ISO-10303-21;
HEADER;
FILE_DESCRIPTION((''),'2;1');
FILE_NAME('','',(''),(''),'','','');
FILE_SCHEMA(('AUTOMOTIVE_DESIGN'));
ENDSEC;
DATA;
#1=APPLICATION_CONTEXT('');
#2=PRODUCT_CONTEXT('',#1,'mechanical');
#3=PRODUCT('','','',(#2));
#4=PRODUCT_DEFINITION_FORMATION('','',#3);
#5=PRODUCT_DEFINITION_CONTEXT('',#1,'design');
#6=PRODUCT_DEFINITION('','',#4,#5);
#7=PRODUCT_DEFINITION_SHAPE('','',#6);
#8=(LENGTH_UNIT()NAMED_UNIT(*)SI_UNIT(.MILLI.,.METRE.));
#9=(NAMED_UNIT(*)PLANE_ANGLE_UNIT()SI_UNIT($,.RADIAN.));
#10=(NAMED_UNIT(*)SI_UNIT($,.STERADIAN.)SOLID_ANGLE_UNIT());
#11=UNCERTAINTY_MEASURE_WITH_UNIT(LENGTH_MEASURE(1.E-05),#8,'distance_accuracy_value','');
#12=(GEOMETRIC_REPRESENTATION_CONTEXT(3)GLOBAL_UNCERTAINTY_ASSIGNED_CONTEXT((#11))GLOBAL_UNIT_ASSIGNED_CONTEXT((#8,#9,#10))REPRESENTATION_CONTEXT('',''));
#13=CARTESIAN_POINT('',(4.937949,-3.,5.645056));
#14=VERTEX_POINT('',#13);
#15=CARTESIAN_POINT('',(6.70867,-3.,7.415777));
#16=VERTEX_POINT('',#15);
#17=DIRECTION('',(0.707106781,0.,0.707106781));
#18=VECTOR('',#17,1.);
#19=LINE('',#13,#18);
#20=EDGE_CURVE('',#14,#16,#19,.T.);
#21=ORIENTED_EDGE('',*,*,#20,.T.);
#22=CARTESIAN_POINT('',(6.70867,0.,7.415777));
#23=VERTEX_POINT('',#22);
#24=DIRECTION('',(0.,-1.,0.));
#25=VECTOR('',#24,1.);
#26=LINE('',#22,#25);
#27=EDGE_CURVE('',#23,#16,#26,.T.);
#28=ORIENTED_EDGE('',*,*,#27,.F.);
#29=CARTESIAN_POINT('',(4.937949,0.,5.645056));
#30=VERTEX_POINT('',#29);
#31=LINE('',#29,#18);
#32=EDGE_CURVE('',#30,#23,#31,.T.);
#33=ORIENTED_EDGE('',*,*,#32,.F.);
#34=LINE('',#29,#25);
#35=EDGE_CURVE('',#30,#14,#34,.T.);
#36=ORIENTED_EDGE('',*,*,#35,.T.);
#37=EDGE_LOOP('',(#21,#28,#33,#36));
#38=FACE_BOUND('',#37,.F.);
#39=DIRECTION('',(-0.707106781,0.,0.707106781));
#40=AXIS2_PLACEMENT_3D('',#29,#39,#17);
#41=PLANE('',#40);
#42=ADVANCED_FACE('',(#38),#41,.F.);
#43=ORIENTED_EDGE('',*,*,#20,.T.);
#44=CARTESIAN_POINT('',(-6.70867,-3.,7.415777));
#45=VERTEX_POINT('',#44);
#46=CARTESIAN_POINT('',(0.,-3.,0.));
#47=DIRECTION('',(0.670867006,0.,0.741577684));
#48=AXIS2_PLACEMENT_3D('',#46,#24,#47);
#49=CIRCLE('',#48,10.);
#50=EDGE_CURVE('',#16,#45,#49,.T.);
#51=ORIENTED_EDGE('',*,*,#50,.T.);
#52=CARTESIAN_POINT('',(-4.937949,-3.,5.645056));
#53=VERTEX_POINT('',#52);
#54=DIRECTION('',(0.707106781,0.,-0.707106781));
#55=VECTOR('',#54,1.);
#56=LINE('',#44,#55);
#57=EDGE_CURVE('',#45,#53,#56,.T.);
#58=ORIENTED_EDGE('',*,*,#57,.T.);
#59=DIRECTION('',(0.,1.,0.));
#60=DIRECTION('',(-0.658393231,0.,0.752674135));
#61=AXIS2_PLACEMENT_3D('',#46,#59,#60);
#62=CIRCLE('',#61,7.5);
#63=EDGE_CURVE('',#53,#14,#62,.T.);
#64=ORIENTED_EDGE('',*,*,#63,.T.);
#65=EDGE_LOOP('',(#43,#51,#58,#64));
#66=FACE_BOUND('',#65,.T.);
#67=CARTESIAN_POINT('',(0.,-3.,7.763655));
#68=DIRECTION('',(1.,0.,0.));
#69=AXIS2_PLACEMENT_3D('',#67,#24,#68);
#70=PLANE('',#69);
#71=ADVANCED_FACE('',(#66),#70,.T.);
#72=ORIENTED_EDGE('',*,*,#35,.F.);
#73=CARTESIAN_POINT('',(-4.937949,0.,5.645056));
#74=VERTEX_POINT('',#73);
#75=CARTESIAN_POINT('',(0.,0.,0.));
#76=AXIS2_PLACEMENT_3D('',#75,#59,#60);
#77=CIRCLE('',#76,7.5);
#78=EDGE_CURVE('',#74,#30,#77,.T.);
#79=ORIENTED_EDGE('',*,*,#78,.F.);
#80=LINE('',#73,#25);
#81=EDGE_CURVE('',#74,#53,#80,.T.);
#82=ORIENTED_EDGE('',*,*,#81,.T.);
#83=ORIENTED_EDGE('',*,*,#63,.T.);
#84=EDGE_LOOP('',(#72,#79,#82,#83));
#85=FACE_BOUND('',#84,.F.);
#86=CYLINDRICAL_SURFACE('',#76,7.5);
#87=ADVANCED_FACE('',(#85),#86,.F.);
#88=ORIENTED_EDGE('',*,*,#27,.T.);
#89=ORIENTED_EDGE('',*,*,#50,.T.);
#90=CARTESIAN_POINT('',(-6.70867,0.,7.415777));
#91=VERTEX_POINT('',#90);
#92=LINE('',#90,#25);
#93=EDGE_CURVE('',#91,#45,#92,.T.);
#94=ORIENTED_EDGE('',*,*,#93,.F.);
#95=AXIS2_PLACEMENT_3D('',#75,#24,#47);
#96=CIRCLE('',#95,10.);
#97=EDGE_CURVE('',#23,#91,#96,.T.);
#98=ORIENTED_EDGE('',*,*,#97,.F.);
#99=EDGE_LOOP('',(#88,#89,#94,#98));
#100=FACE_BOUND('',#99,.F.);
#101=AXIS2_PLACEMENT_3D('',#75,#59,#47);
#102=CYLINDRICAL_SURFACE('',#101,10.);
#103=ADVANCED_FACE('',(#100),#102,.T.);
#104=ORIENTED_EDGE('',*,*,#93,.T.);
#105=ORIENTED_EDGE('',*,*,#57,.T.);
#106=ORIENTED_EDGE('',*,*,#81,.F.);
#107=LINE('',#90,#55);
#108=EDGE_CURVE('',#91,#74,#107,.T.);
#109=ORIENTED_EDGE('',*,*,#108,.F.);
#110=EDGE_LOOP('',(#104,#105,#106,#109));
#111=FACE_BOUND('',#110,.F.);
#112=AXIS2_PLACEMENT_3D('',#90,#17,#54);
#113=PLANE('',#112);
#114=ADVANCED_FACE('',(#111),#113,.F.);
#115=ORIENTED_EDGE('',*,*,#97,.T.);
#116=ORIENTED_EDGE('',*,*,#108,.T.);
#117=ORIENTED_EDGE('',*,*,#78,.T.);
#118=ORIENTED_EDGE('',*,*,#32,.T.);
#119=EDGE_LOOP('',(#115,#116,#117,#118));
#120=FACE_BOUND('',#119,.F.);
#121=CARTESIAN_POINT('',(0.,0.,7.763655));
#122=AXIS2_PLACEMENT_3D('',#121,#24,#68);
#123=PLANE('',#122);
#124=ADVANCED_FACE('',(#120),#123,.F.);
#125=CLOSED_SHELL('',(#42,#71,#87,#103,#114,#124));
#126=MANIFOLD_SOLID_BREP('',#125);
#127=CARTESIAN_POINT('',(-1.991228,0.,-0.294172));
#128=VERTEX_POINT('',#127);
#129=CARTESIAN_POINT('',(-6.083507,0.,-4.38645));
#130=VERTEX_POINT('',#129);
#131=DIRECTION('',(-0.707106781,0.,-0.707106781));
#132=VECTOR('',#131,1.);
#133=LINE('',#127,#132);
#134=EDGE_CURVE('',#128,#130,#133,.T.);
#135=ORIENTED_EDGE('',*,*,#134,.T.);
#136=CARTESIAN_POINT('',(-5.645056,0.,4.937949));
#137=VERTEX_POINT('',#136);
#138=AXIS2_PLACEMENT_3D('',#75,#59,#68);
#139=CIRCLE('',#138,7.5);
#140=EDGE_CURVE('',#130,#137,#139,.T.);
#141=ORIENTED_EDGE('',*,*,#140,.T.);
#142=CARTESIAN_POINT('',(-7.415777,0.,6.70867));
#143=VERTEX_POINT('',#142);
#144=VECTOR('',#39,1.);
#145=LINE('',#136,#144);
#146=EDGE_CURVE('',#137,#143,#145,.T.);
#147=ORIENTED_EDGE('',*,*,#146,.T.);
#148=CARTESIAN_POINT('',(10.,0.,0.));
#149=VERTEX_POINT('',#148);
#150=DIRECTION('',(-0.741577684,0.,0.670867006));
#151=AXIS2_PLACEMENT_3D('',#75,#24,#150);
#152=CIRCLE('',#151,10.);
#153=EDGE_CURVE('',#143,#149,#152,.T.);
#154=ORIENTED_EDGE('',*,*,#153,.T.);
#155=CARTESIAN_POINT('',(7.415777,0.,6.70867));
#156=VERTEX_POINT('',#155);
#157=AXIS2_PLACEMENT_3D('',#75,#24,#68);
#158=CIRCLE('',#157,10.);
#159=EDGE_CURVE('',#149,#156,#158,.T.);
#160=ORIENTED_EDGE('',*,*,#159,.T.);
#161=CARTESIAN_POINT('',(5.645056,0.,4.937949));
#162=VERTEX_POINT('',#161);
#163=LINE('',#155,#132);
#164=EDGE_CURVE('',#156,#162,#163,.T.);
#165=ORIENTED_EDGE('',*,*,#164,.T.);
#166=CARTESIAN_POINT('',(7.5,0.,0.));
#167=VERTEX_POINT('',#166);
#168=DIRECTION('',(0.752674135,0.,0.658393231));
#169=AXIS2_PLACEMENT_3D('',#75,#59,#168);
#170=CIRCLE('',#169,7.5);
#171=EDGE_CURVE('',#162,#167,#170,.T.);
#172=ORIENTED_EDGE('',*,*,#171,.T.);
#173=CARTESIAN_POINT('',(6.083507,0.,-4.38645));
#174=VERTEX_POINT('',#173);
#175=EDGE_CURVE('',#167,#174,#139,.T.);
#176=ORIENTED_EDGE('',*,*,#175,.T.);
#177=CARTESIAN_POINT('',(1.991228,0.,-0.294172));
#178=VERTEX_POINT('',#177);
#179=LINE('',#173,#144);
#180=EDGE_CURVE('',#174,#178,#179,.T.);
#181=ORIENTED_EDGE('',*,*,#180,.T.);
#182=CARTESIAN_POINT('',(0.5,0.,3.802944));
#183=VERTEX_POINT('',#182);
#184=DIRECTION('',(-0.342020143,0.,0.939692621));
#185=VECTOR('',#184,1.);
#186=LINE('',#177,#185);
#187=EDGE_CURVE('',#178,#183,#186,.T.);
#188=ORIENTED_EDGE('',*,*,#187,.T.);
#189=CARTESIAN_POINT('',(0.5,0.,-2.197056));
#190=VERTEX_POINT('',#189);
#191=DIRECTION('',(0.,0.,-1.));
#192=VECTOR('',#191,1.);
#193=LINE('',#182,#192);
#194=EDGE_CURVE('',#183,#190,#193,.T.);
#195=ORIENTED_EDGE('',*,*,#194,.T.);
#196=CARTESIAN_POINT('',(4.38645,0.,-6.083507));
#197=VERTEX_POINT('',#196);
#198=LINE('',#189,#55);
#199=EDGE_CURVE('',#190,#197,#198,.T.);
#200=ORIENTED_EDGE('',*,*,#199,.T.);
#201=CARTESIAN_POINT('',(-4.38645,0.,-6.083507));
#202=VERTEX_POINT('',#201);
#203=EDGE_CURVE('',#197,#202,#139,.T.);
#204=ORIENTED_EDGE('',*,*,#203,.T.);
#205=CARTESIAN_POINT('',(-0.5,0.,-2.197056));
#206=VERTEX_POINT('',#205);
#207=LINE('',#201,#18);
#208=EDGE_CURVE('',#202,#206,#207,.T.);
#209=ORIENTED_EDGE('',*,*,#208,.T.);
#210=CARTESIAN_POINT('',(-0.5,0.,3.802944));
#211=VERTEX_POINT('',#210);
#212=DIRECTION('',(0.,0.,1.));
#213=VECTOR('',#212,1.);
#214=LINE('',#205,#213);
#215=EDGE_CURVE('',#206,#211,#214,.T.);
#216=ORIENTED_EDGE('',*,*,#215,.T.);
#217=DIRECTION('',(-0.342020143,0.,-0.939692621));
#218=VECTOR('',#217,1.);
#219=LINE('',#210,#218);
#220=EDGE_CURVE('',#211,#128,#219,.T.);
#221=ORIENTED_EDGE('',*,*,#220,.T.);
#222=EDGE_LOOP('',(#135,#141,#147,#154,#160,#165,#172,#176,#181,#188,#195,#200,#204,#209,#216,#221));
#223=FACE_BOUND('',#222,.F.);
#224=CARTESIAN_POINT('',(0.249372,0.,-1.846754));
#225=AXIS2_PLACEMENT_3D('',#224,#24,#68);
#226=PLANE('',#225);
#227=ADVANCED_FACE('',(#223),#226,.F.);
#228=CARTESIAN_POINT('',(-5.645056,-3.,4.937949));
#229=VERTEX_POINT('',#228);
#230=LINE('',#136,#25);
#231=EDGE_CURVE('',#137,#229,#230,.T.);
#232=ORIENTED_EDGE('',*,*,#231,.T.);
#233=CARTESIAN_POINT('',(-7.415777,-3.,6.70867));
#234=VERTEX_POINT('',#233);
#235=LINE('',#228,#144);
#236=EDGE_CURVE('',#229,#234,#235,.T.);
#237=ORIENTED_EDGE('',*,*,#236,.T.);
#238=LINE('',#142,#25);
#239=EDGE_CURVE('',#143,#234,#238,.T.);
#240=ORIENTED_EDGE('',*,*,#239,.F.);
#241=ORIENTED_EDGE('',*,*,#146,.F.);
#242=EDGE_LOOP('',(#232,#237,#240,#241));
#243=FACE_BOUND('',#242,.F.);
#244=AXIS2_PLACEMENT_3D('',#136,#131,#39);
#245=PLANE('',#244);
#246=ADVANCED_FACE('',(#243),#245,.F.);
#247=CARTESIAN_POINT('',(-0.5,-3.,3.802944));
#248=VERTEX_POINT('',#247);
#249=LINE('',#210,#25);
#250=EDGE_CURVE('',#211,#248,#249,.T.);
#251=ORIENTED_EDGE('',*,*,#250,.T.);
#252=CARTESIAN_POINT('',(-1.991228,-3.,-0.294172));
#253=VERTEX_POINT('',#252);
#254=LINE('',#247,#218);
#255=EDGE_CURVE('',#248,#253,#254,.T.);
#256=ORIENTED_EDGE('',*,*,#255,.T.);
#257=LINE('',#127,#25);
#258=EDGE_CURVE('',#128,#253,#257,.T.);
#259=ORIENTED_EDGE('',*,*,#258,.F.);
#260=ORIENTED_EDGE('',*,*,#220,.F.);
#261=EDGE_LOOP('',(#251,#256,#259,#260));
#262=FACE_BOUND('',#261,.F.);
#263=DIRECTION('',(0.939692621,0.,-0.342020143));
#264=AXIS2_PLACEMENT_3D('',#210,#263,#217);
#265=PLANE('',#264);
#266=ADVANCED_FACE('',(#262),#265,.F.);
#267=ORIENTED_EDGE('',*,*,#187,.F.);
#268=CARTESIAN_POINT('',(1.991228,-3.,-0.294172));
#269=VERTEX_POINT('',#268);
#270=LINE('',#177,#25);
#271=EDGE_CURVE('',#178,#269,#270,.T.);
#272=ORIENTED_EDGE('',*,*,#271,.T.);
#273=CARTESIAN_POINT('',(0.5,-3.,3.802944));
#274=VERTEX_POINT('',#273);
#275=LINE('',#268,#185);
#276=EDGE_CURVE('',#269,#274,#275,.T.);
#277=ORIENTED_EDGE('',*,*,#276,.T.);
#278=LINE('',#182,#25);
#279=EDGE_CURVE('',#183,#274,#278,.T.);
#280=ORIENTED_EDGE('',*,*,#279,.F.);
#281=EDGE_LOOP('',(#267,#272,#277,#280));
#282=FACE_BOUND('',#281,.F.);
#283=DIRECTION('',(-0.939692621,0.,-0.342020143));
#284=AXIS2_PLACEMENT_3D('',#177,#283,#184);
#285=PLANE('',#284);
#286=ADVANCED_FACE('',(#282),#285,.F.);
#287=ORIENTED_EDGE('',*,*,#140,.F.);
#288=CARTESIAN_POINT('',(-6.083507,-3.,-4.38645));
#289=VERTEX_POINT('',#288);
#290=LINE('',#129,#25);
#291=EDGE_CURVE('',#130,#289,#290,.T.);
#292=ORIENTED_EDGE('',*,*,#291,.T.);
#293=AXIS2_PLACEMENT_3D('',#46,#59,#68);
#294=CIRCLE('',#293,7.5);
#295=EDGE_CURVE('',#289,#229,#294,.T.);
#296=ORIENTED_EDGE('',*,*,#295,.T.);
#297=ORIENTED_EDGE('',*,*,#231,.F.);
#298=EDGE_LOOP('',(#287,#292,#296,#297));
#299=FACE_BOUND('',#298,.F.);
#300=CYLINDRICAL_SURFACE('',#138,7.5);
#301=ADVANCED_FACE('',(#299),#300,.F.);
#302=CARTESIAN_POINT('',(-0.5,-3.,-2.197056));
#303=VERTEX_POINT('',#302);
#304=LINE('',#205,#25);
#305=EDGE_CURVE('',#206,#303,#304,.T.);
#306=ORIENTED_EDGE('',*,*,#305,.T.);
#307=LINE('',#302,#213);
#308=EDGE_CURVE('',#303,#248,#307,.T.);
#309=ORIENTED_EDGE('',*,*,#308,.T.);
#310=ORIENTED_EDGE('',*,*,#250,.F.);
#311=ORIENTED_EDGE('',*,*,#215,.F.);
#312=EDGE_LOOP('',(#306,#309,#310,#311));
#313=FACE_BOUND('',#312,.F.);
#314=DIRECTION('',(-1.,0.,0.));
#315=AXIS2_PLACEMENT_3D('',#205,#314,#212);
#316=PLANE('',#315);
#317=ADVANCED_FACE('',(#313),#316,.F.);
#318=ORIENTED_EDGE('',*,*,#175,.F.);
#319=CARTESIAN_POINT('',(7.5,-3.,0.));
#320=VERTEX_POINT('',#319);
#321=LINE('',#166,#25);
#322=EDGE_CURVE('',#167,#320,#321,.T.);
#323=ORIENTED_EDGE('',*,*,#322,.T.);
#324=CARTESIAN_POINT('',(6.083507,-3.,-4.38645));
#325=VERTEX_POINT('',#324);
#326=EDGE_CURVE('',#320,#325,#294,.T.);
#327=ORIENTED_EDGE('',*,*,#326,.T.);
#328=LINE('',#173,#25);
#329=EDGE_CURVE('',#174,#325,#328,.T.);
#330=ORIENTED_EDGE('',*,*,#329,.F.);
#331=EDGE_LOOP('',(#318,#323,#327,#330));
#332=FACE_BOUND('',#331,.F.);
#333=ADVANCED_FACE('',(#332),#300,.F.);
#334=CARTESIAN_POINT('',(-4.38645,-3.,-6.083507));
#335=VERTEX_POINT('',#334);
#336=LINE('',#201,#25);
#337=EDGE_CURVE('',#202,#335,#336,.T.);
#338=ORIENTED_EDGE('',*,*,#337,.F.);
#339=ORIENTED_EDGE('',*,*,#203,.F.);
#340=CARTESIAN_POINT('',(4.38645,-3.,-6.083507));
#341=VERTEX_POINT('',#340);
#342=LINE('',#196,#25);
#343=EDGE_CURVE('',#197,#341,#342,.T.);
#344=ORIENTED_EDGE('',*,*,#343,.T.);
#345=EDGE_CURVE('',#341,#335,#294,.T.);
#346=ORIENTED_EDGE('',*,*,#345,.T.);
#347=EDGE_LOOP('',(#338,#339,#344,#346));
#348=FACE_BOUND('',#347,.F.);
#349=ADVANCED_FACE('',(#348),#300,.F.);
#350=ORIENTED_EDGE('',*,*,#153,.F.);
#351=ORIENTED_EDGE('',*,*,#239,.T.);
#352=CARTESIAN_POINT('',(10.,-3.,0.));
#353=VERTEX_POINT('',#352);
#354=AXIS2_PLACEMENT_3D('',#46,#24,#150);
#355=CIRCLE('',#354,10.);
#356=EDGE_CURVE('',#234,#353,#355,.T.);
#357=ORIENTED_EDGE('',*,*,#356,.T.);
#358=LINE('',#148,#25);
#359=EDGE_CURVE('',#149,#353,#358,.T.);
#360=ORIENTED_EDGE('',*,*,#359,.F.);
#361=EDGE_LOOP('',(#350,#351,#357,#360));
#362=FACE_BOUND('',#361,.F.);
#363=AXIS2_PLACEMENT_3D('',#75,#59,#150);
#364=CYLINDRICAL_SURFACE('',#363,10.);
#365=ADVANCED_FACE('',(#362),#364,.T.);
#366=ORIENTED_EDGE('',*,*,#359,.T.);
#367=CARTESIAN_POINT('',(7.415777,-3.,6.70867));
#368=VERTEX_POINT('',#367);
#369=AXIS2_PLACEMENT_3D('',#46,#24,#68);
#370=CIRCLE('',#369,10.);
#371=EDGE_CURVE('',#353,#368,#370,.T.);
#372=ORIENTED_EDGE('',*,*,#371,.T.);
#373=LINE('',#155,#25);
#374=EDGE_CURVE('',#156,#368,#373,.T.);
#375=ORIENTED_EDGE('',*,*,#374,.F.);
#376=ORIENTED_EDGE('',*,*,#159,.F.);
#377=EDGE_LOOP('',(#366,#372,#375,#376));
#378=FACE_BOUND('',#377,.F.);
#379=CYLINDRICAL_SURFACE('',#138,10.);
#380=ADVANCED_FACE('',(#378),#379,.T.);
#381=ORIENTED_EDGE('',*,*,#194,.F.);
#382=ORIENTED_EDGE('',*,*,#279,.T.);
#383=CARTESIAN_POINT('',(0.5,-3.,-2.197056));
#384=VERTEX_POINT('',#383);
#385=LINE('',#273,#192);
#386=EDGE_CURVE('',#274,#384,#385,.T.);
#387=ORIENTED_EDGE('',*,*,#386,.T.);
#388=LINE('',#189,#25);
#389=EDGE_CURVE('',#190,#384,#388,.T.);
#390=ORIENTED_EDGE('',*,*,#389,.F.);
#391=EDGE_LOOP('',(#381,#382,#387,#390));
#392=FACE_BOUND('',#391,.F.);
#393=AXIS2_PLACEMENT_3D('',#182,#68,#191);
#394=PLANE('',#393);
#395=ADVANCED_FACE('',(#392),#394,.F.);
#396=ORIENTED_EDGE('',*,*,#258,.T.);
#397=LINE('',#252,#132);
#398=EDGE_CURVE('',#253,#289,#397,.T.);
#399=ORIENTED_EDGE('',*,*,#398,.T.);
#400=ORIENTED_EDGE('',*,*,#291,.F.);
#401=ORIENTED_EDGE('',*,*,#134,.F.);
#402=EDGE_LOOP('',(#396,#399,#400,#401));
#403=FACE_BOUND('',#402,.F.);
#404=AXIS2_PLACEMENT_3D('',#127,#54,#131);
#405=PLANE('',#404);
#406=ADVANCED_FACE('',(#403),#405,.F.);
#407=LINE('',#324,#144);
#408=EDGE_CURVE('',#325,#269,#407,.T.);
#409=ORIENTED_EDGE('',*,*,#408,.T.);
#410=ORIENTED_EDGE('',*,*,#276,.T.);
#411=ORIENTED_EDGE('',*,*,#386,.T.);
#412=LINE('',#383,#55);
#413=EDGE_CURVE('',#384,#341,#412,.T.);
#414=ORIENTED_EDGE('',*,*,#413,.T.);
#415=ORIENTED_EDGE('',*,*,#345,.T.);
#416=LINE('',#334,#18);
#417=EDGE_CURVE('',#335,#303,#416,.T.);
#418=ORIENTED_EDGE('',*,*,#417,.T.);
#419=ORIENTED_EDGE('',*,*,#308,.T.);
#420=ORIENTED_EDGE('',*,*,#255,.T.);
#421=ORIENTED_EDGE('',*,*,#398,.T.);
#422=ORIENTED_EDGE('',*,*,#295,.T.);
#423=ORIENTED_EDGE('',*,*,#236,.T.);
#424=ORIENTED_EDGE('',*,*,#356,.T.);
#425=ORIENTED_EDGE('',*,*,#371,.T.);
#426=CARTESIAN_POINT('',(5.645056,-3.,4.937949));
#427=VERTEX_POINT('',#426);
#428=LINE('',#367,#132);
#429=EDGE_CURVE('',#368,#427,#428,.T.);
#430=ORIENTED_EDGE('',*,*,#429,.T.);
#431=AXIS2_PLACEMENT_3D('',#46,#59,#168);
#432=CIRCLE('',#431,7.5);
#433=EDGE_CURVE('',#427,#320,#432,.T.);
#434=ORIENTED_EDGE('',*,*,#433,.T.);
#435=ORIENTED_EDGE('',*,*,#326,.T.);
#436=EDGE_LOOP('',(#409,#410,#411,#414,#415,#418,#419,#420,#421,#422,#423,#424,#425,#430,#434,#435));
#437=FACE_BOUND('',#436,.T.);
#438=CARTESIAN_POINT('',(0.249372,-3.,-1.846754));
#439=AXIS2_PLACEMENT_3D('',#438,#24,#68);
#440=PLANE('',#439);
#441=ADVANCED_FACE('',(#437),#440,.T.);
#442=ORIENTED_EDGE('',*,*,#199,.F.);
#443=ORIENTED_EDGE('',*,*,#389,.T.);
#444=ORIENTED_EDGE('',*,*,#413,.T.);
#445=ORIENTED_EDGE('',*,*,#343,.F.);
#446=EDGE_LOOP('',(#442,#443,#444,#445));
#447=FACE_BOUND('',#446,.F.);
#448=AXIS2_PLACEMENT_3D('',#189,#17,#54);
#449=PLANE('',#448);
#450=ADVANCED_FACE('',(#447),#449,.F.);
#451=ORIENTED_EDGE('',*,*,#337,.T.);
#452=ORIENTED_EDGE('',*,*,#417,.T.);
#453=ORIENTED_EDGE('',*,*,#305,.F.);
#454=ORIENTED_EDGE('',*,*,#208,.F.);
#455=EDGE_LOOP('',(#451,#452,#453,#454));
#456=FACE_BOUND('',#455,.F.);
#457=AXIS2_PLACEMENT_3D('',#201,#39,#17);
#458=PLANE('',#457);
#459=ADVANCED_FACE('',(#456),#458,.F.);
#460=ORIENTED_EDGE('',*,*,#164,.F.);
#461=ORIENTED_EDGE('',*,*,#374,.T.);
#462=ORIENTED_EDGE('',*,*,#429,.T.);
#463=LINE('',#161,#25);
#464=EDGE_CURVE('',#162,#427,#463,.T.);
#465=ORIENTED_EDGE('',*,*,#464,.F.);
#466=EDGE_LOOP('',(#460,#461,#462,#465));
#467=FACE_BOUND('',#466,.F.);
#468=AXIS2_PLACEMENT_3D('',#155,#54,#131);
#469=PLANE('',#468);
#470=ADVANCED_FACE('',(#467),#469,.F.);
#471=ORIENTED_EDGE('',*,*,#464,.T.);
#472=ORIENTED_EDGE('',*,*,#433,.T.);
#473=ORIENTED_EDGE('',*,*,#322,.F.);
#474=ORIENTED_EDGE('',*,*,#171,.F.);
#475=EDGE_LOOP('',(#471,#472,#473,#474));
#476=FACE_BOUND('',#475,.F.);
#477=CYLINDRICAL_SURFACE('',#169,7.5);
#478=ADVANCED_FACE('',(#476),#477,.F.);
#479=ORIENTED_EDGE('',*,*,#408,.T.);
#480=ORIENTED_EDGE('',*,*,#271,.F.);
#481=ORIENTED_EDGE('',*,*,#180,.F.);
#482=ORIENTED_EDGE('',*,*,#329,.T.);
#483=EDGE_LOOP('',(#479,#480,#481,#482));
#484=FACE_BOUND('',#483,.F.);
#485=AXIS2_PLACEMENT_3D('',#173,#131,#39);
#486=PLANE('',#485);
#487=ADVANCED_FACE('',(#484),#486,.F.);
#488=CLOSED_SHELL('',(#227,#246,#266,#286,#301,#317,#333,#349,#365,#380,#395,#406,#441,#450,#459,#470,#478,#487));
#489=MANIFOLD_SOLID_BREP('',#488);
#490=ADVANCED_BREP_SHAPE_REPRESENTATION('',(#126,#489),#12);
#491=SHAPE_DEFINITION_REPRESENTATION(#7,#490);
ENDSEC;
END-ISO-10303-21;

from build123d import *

# Parameters (mm, degrees)
F1_DEPTH = 3
F2_DEPTH = 3
F4_DEPTH = 3


with BuildPart() as f1:
    # F0 (on Front) → F1 (new body)
    with BuildSketch(Plane.XZ):
        with BuildLine():
            ThreePointArc((-7.4157768365, 6.7086700553), (-3.5945953621, -9.331606731), (10, 0))
            ThreePointArc((10, 0), (9.331606731, 3.5945953621), (7.4157768365, 6.7086700553))
            Line((7.4157768365, 6.7086700553), (5.6450560127, 4.9379492315))
            ThreePointArc((5.6450560127, 4.9379492315), (7.0209657489, 2.6374305588), (7.5, 0))
            ThreePointArc((7.5, 0), (-2.6374305588, -7.0209657489), (-5.6450560127, 4.9379492315))
            Line((-5.6450560127, 4.9379492315), (-7.4157768365, 6.7086700553))
        make_face()
    extrude(amount=F1_DEPTH)

    # F3 (on Front) → F4 (join, through all)
    with BuildSketch(Plane.XZ):
        with BuildLine():
            Line((-1.9912281105, -0.2941718356), (-6.0835066474, -4.3864503726))
            ThreePointArc((-6.0835066474, -4.3864503726), (-5.7118298294, -4.8605555238), (-5.3033008589, -5.3033008589))
            Line((-5.3033008589, -5.3033008589), (-0.5, -0.5))
            Line((-0.5, -0.5), (-0.5, 1.1970562748))
            Line((-0.5, 1.1970562748), (-1.9912281105, -0.2941718356))
        make_face()
        with BuildLine():
            Line((-0.5, -0.5), (-5.3033008589, -5.3033008589))
            ThreePointArc((-5.3033008589, -5.3033008589), (-4.8605555238, -5.7118298294), (-4.3864503726, -6.0835066474))
            Line((-4.3864503726, -6.0835066474), (-0.5, -2.1970562748))
            Line((-0.5, -2.1970562748), (-0.5, -0.5))
        make_face()
        Polygon((-0.5, 3.8029437252), (-1.9912281105, -0.2941718356), (-0.5, 1.1970562748), align=None)
        with BuildLine():
            Line((0.5, -0.5), (5.3033008589, -5.3033008589))
            ThreePointArc((5.3033008589, -5.3033008589), (5.7118298294, -4.8605555238), (6.0835066474, -4.3864503726))
            Line((6.0835066474, -4.3864503726), (1.9912281105, -0.2941718356))
            Line((1.9912281105, -0.2941718356), (0.5, 1.1970562748))
            Line((0.5, 1.1970562748), (0.5, -0.5))
        make_face()
        with BuildLine():
            Line((0.5, -2.1970562748), (4.3864503726, -6.0835066474))
            ThreePointArc((4.3864503726, -6.0835066474), (4.8605555238, -5.7118298294), (5.3033008589, -5.3033008589))
            Line((5.3033008589, -5.3033008589), (0.5, -0.5))
            Line((0.5, -0.5), (0.5, -2.1970562748))
        make_face()
        Polygon((0.5, 3.8029437252), (0.5, 1.1970562748), (1.9912281105, -0.2941718356), align=None)
    extrude(amount=F4_DEPTH)


with BuildPart() as f2:
    # F0 (on Front) → F2 (new body, through all)
    with BuildSketch(Plane.XZ):
        with BuildLine():
            Line((4.9379492315, 5.6450560127), (6.7086700553, 7.4157768365))
            ThreePointArc((6.7086700553, 7.4157768365), (0, 10), (-6.7086700553, 7.4157768365))
            Line((-6.7086700553, 7.4157768365), (-4.9379492315, 5.6450560127))
            ThreePointArc((-4.9379492315, 5.6450560127), (0, 7.5), (4.9379492315, 5.6450560127))
        make_face()
    extrude(amount=F2_DEPTH)


solid = Compound([f1.part, f2.part])
